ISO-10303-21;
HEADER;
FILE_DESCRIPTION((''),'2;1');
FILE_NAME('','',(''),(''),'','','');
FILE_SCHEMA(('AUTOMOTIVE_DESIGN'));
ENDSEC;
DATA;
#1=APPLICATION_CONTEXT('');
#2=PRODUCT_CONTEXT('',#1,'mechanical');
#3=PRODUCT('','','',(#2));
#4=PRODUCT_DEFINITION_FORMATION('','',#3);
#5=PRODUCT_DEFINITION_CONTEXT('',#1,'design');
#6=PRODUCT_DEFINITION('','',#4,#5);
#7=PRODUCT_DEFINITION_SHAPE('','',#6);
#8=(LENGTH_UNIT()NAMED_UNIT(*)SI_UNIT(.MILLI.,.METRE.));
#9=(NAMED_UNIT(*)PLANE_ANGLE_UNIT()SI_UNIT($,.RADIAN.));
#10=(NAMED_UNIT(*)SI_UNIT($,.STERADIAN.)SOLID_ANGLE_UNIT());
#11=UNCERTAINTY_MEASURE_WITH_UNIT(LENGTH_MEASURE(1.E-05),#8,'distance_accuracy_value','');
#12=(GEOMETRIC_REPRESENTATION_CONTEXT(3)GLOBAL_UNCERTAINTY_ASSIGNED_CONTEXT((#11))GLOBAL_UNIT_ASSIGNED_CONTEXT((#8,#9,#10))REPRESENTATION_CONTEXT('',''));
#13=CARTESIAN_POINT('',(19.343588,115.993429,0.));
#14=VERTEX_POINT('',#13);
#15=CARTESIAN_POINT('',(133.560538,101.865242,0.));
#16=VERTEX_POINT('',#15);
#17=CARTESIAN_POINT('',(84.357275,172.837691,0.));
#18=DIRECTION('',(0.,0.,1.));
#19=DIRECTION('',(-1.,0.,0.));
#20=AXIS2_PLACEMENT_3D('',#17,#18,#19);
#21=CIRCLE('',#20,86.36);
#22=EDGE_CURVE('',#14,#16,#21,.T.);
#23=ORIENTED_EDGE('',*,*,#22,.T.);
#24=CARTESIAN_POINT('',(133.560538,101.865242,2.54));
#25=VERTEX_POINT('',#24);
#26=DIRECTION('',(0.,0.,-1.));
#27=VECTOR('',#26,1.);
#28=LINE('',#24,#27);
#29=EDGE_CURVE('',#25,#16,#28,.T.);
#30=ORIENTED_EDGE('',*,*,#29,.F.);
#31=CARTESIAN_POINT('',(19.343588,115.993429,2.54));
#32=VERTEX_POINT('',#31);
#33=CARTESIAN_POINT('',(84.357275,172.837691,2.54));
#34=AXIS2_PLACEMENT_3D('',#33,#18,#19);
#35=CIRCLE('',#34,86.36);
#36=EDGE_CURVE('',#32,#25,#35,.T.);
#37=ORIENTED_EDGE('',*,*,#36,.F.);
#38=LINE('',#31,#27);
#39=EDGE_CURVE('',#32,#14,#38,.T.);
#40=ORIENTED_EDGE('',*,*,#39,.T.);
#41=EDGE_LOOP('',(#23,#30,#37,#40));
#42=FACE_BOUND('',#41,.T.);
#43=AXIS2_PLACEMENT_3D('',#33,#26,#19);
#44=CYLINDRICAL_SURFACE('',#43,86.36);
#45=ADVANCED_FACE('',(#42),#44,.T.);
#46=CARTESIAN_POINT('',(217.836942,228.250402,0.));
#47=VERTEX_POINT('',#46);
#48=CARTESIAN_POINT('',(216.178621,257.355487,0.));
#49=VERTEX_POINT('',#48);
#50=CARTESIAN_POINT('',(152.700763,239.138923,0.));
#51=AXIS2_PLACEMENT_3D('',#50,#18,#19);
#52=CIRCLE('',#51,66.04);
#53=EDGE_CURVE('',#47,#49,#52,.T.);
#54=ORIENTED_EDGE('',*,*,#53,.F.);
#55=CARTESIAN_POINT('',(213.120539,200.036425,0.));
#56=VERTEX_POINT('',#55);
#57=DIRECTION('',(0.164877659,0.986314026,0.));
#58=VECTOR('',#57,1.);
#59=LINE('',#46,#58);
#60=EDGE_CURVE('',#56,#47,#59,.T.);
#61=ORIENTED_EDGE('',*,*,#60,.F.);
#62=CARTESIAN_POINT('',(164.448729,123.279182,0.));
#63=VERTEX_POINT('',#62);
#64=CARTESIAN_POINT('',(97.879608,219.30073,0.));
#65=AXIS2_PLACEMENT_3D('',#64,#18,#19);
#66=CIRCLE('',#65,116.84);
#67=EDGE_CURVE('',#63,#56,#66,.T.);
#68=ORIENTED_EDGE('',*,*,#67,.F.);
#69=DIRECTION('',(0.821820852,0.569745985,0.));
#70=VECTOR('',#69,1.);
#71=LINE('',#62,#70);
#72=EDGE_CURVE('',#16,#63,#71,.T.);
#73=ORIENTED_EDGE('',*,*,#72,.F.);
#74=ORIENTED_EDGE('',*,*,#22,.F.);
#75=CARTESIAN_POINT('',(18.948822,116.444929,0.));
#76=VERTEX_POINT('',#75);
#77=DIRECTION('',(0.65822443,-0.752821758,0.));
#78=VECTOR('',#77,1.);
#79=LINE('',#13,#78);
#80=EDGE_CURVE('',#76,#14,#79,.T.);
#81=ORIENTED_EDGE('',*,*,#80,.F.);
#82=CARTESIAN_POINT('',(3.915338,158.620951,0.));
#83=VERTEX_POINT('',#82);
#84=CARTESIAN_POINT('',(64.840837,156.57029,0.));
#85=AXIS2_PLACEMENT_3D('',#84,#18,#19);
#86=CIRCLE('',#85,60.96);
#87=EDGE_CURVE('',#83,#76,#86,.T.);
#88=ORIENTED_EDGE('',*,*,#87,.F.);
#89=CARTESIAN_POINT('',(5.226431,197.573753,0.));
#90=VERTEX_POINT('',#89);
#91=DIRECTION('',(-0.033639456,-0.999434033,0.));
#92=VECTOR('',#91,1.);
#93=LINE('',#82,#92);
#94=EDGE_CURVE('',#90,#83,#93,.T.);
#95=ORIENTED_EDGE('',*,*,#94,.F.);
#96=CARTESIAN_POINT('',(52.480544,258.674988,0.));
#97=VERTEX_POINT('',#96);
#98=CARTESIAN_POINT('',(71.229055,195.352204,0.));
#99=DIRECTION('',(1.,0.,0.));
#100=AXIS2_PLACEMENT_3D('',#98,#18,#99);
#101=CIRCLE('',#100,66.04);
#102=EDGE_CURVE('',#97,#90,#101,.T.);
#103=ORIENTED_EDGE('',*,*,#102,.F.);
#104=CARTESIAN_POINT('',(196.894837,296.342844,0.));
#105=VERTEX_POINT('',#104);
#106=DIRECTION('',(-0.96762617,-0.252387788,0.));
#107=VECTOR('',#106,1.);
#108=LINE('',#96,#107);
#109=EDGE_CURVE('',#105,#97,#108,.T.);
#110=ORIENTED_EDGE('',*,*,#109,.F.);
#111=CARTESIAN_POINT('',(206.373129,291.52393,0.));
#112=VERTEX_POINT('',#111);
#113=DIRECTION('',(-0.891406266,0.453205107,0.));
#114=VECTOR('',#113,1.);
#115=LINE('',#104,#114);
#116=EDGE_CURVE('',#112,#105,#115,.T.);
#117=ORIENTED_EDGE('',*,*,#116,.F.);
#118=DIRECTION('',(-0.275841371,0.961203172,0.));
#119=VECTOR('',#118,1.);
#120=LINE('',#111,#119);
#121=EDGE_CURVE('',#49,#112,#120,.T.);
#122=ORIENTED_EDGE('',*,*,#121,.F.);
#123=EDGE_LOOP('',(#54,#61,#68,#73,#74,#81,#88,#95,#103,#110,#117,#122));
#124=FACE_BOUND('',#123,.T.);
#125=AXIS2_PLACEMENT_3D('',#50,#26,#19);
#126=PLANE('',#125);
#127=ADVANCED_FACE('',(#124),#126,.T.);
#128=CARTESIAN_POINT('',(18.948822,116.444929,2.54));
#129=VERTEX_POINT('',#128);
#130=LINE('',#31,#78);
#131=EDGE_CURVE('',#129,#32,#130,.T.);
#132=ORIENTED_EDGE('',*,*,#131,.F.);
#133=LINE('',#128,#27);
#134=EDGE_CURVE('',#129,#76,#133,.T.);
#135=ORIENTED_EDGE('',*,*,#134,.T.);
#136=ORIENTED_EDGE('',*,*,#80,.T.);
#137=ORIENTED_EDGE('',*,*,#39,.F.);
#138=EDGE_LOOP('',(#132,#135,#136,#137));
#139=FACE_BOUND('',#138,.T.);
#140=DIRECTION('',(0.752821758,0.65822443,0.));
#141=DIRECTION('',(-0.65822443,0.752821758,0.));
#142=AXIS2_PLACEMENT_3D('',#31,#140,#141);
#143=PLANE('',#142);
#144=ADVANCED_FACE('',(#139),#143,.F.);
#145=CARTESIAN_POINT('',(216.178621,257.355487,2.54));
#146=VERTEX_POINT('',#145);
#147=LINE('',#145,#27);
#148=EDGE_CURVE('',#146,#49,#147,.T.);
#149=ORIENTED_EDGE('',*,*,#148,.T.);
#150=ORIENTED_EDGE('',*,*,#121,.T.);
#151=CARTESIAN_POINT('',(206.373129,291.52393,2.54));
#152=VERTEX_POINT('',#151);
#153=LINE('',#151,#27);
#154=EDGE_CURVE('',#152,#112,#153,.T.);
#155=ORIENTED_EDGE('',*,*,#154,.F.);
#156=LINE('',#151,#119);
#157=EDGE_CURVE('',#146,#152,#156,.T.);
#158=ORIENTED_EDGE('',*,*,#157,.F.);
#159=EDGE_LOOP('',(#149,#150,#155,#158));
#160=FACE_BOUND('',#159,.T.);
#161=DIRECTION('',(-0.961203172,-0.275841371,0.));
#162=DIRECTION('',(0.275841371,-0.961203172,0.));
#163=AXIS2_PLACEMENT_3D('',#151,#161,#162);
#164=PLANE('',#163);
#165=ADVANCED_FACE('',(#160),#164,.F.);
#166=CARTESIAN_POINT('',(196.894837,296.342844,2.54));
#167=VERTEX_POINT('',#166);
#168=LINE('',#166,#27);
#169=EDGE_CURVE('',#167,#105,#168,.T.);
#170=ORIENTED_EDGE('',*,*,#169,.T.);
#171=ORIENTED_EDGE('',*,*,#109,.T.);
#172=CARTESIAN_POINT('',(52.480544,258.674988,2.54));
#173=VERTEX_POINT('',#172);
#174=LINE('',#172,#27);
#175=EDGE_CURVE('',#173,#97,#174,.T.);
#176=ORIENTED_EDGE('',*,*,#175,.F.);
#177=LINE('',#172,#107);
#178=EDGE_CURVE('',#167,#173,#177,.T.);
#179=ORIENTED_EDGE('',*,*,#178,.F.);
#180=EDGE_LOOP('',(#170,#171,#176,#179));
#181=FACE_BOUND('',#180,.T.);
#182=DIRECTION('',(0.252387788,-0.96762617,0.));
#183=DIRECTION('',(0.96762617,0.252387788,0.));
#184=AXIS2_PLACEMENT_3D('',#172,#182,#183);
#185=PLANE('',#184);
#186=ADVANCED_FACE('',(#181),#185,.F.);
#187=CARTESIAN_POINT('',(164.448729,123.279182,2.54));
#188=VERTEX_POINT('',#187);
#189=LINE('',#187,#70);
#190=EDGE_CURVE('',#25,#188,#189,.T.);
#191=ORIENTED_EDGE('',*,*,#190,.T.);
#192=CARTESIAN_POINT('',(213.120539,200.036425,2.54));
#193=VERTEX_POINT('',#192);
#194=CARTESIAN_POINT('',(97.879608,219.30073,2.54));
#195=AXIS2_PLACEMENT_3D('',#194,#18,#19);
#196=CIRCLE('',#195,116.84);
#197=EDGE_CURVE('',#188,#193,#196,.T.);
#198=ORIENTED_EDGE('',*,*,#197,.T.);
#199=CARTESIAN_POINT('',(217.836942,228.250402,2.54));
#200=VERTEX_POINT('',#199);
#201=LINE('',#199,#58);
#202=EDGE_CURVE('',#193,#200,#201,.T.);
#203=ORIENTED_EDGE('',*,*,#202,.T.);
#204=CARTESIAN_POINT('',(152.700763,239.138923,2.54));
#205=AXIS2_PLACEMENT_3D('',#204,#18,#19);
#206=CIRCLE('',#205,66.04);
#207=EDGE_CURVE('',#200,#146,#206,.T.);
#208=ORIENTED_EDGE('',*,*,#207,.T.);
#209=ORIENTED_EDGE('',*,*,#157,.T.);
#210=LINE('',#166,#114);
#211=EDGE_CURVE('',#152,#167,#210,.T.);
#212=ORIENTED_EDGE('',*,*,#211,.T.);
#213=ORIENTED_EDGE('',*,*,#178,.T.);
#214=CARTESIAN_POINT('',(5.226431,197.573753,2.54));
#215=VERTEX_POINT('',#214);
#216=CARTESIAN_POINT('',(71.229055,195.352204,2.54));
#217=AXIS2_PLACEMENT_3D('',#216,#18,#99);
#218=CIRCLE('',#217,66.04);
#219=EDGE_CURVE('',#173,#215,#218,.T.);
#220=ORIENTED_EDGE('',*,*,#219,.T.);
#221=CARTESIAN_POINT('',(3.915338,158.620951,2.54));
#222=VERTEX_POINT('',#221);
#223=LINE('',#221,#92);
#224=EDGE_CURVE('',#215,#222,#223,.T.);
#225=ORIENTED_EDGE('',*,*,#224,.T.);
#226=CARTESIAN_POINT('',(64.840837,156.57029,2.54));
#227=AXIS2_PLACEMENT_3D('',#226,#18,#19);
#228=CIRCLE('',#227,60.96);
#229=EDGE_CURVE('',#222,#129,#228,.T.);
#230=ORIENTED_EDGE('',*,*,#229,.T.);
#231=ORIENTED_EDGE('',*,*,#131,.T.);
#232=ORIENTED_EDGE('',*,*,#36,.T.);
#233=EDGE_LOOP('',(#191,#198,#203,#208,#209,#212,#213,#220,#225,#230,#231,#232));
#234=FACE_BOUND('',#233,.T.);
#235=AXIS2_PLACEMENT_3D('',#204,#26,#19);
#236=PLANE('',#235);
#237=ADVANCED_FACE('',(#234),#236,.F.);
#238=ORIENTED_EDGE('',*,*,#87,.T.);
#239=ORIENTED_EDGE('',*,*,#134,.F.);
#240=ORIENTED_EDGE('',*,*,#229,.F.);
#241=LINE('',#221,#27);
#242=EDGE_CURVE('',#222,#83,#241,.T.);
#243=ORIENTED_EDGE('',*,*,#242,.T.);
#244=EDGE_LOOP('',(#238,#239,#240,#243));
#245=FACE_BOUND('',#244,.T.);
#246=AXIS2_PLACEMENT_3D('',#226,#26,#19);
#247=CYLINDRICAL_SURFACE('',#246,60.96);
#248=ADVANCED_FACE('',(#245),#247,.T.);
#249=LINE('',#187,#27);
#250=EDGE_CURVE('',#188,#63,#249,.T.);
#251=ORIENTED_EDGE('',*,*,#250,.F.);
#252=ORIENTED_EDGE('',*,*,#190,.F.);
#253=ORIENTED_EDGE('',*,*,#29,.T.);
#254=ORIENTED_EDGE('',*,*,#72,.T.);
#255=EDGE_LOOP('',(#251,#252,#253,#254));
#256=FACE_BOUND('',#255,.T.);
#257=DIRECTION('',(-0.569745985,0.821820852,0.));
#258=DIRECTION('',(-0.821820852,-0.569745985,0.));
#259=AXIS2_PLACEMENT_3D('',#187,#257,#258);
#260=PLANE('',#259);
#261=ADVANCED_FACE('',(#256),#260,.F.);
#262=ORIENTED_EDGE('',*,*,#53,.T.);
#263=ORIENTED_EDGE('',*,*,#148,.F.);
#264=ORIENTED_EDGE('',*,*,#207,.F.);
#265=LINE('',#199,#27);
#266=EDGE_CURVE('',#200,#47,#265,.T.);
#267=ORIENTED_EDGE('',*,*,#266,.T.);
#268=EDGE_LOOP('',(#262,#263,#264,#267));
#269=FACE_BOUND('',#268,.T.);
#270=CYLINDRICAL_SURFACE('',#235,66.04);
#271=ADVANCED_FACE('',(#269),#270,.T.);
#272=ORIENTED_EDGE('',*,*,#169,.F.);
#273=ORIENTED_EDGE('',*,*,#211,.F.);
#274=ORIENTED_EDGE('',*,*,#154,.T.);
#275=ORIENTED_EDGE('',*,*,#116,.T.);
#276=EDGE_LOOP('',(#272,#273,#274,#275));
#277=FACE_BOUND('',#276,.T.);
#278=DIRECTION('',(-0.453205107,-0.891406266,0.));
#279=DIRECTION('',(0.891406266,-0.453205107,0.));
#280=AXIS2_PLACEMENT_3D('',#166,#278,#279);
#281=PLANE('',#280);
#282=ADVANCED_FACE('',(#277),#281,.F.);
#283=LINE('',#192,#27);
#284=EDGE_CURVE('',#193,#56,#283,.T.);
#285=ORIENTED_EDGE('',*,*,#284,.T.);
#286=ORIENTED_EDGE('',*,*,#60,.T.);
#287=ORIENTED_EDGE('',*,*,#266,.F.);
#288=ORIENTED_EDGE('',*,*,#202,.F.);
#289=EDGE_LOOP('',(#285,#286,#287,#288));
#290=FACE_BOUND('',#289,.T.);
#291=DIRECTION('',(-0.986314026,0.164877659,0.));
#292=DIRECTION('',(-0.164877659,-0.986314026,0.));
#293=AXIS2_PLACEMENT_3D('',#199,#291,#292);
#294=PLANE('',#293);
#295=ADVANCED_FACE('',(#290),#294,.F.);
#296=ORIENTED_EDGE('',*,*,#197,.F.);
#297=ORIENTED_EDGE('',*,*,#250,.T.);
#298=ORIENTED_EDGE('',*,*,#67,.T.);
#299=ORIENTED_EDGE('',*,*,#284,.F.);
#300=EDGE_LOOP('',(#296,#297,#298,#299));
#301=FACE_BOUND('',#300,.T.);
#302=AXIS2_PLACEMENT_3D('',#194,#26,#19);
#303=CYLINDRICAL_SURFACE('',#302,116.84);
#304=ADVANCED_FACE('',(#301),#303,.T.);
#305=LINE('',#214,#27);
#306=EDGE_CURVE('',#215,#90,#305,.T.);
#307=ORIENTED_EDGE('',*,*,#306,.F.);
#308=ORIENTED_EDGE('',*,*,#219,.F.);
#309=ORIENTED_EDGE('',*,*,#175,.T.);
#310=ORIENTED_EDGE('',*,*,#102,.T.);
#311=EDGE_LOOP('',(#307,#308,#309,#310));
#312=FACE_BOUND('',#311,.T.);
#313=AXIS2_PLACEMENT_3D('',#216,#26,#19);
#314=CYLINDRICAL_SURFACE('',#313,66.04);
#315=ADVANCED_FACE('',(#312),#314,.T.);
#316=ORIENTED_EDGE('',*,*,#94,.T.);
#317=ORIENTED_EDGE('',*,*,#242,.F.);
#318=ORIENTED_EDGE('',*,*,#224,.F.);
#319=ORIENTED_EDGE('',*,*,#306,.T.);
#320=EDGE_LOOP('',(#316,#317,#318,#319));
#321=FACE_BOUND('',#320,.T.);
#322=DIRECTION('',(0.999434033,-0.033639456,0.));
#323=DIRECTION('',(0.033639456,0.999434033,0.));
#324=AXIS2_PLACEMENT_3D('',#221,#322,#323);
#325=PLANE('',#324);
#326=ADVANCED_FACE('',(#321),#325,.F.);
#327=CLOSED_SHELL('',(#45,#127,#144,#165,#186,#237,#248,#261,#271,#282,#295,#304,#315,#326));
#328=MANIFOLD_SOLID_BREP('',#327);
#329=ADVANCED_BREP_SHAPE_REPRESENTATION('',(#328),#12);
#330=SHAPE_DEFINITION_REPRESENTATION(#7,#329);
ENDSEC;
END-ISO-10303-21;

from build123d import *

# Parameters (mm, degrees)
BOSS_EXTRUDE1_DEPTH = 2.54


with BuildPart() as part:
    # Sketch2 → Boss-Extrude1 (new body)
    with BuildSketch(Plane.XY):
        with BuildLine():
            Line((52.480544155, 258.674987582), (196.894837031, 296.342844243))
            Line((196.894837031, 296.342844243), (206.373128662, 291.523930207))
            Line((206.373128662, 291.523930207), (216.178620917, 257.355486833))
            ThreePointArc((216.178620917, 257.355486833), (218.633828258, 242.895591751), (217.836941691, 228.250402074))
            Line((217.836941691, 228.250402074), (213.120538575, 200.036424744))
            ThreePointArc((213.120538575, 200.036424744), (196.554033533, 156.731222664), (164.448728673, 123.279182124))
            Line((164.448728673, 123.279182124), (133.560538269, 101.865242067))
            ThreePointArc((133.560538269, 101.865242067), (73.755681182, 87.130889432), (19.343587989, 115.99342905))
            Line((19.343587989, 115.99342905), (18.948822289, 116.444928865))
            ThreePointArc((18.948822289, 116.444928865), (7.419590663, 136.102703369), (3.91533799, 158.620951381))
            Line((3.91533799, 158.620951381), (5.226431104, 197.573753427))
            ThreePointArc((5.226431104, 197.573753427), (18.98894665, 235.75335118), (52.480544155, 258.674987582))
        make_face()
    extrude(amount=BOSS_EXTRUDE1_DEPTH)


solid = part.part
